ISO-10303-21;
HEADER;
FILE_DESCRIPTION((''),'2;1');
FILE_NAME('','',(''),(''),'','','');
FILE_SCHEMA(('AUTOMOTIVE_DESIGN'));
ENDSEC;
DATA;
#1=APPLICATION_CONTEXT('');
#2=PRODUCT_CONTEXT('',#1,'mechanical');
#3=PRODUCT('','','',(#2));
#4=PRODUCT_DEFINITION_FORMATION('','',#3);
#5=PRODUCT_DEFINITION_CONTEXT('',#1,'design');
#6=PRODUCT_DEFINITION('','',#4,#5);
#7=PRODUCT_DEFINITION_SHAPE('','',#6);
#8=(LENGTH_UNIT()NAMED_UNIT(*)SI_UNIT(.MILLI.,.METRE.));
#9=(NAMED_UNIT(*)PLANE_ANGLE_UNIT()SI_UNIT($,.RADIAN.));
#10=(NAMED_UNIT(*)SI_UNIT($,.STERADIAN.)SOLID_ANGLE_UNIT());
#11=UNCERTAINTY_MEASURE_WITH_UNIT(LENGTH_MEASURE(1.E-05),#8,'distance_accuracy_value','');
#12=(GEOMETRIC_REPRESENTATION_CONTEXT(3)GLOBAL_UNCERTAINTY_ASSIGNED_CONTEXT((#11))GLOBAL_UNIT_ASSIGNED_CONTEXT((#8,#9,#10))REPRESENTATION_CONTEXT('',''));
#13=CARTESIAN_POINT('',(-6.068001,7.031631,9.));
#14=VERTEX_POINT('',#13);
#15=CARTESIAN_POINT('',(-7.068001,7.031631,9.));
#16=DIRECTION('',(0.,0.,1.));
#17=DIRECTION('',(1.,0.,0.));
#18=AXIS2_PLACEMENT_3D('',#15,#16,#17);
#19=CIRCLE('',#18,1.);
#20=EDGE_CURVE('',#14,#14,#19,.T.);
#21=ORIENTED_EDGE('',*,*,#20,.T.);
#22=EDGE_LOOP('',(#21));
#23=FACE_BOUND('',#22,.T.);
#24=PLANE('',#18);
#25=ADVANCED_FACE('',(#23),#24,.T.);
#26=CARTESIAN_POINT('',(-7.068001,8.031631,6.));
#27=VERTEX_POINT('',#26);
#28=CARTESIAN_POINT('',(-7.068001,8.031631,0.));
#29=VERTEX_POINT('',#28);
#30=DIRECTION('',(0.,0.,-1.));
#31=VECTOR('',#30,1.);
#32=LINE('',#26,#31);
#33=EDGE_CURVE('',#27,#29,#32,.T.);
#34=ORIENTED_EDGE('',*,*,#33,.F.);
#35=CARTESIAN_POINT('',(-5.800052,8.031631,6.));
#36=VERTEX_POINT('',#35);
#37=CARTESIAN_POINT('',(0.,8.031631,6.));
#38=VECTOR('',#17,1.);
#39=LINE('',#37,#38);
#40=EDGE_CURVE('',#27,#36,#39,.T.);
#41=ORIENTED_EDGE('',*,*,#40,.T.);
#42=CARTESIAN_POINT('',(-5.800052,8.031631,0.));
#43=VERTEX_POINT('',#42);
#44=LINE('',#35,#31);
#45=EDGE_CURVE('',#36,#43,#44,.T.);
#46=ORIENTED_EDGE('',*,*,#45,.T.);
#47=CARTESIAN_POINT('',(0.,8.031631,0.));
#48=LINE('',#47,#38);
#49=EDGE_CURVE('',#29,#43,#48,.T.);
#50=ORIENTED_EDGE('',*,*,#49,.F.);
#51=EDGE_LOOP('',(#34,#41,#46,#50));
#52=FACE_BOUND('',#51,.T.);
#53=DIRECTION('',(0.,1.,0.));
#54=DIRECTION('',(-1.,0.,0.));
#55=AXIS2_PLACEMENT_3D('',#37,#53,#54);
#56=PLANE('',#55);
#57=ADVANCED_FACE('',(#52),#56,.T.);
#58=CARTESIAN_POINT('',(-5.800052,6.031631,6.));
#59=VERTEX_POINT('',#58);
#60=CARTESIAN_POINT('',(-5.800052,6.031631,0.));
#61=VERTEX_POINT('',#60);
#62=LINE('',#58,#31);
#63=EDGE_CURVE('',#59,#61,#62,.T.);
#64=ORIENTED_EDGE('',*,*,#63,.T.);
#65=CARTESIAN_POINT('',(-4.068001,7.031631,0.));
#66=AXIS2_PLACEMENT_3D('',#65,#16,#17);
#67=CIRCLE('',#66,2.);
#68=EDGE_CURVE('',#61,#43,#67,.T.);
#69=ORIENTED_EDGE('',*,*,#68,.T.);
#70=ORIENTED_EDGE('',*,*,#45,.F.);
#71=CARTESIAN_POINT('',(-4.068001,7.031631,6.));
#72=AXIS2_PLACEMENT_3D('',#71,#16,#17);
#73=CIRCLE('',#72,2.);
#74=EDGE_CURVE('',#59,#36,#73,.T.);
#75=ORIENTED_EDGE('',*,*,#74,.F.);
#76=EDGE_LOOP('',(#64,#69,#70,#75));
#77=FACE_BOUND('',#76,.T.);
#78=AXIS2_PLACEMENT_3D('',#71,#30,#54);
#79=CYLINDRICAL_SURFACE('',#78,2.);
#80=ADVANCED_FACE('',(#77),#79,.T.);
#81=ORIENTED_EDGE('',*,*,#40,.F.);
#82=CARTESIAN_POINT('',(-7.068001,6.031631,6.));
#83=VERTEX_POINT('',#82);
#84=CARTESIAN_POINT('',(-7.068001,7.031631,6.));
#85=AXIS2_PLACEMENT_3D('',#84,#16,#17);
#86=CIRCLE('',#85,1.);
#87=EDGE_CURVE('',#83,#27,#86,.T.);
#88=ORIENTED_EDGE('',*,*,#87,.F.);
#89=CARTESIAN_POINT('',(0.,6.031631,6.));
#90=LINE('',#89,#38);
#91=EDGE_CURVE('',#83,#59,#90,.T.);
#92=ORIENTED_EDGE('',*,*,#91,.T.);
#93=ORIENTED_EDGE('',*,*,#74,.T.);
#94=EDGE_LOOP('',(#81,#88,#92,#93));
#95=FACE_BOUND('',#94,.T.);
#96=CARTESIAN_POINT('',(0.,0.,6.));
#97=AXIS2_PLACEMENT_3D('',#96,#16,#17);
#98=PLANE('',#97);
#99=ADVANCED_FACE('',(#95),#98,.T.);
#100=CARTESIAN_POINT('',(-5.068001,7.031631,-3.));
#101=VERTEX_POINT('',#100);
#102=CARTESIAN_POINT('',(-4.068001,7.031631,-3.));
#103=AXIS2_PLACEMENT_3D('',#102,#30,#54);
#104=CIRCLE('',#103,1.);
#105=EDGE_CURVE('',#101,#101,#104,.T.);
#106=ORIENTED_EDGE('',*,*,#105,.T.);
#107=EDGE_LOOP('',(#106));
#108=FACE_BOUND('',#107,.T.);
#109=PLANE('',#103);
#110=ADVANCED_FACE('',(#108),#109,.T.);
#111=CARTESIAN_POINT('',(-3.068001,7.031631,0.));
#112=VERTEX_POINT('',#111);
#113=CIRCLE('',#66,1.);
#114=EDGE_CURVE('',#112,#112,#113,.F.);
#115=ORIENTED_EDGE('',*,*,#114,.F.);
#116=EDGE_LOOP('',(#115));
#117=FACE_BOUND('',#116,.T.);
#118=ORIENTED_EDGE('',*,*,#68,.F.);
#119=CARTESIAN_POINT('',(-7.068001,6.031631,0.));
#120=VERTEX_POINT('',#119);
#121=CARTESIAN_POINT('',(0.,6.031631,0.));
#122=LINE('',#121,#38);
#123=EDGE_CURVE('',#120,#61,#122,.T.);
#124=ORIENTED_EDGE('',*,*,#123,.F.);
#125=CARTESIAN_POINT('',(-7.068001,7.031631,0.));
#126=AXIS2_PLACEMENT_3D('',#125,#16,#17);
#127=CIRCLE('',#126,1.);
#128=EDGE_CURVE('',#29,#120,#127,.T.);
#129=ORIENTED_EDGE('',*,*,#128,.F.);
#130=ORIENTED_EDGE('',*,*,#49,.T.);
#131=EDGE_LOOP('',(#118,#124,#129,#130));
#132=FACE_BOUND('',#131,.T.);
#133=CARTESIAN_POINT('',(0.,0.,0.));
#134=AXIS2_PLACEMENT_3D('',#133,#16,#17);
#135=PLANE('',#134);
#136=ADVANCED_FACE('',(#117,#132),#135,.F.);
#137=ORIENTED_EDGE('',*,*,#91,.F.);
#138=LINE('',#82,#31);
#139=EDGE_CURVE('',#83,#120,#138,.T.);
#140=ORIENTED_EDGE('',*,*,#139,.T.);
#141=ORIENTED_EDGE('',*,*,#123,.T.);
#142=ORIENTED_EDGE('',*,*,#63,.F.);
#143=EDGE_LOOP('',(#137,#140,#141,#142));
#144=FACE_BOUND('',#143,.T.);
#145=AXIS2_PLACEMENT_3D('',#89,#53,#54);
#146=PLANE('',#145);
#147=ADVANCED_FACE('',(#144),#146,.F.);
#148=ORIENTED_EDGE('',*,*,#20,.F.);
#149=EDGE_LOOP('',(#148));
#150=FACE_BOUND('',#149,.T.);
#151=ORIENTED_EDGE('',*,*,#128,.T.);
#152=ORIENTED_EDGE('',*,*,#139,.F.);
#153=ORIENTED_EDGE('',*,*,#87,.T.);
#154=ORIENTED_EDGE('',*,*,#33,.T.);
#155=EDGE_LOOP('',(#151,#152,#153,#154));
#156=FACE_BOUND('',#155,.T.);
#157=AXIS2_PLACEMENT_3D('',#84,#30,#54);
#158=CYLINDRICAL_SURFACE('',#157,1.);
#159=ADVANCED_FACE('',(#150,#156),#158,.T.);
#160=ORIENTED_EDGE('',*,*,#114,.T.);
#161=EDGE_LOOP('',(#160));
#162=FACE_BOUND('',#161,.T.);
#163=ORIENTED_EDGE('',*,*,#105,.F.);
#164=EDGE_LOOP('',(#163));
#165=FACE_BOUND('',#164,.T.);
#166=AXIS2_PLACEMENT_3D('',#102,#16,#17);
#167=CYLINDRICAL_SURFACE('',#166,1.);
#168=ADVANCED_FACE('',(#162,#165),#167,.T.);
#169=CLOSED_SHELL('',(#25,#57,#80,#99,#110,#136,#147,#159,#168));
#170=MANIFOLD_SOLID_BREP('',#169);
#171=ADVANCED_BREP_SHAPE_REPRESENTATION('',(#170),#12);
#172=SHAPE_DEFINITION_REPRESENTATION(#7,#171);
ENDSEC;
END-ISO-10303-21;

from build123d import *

# Parameters (mm, degrees)
BOSS_EXTRUDE1_DEPTH = 6
SKETCH2_R           = 1
BOSS_EXTRUDE2_DEPTH = 3
SKETCH3_R           = 1
BOSS_EXTRUDE3_DEPTH = 3


with BuildPart() as part:
    # Sketch1 → Boss-Extrude1 (new body)
    with BuildSketch(Plane.XY):
        with BuildLine():
            Line((-7.068000803, 8.031631057), (-5.800051611, 8.031631057))
            ThreePointArc((-5.800051611, 8.031631057), (-2.068000803, 7.031631057), (-5.800051611, 6.031631057))
            Line((-5.800051611, 6.031631057), (-7.068000803, 6.031631057))
            ThreePointArc((-7.068000803, 6.031631057), (-8.068000803, 7.031631057), (-7.068000803, 8.031631057))
        make_face()
    extrude(amount=BOSS_EXTRUDE1_DEPTH)

    # Sketch2 → Boss-Extrude2 (add)
    with BuildSketch(Plane.XY.offset(6)):
        with Locations((-7.068000803, 7.031631057)):
            Circle(SKETCH2_R)
    extrude(amount=BOSS_EXTRUDE2_DEPTH)

    # Sketch3 → Boss-Extrude3 (add)
    with BuildSketch(Plane(origin=(0, 0, 0), x_dir=(-1, 0, 0), z_dir=(0, 0, -1))):
        with Locations((4.068000803, 7.031631057)):
            Circle(SKETCH3_R)
    extrude(amount=BOSS_EXTRUDE3_DEPTH)


solid = part.part
